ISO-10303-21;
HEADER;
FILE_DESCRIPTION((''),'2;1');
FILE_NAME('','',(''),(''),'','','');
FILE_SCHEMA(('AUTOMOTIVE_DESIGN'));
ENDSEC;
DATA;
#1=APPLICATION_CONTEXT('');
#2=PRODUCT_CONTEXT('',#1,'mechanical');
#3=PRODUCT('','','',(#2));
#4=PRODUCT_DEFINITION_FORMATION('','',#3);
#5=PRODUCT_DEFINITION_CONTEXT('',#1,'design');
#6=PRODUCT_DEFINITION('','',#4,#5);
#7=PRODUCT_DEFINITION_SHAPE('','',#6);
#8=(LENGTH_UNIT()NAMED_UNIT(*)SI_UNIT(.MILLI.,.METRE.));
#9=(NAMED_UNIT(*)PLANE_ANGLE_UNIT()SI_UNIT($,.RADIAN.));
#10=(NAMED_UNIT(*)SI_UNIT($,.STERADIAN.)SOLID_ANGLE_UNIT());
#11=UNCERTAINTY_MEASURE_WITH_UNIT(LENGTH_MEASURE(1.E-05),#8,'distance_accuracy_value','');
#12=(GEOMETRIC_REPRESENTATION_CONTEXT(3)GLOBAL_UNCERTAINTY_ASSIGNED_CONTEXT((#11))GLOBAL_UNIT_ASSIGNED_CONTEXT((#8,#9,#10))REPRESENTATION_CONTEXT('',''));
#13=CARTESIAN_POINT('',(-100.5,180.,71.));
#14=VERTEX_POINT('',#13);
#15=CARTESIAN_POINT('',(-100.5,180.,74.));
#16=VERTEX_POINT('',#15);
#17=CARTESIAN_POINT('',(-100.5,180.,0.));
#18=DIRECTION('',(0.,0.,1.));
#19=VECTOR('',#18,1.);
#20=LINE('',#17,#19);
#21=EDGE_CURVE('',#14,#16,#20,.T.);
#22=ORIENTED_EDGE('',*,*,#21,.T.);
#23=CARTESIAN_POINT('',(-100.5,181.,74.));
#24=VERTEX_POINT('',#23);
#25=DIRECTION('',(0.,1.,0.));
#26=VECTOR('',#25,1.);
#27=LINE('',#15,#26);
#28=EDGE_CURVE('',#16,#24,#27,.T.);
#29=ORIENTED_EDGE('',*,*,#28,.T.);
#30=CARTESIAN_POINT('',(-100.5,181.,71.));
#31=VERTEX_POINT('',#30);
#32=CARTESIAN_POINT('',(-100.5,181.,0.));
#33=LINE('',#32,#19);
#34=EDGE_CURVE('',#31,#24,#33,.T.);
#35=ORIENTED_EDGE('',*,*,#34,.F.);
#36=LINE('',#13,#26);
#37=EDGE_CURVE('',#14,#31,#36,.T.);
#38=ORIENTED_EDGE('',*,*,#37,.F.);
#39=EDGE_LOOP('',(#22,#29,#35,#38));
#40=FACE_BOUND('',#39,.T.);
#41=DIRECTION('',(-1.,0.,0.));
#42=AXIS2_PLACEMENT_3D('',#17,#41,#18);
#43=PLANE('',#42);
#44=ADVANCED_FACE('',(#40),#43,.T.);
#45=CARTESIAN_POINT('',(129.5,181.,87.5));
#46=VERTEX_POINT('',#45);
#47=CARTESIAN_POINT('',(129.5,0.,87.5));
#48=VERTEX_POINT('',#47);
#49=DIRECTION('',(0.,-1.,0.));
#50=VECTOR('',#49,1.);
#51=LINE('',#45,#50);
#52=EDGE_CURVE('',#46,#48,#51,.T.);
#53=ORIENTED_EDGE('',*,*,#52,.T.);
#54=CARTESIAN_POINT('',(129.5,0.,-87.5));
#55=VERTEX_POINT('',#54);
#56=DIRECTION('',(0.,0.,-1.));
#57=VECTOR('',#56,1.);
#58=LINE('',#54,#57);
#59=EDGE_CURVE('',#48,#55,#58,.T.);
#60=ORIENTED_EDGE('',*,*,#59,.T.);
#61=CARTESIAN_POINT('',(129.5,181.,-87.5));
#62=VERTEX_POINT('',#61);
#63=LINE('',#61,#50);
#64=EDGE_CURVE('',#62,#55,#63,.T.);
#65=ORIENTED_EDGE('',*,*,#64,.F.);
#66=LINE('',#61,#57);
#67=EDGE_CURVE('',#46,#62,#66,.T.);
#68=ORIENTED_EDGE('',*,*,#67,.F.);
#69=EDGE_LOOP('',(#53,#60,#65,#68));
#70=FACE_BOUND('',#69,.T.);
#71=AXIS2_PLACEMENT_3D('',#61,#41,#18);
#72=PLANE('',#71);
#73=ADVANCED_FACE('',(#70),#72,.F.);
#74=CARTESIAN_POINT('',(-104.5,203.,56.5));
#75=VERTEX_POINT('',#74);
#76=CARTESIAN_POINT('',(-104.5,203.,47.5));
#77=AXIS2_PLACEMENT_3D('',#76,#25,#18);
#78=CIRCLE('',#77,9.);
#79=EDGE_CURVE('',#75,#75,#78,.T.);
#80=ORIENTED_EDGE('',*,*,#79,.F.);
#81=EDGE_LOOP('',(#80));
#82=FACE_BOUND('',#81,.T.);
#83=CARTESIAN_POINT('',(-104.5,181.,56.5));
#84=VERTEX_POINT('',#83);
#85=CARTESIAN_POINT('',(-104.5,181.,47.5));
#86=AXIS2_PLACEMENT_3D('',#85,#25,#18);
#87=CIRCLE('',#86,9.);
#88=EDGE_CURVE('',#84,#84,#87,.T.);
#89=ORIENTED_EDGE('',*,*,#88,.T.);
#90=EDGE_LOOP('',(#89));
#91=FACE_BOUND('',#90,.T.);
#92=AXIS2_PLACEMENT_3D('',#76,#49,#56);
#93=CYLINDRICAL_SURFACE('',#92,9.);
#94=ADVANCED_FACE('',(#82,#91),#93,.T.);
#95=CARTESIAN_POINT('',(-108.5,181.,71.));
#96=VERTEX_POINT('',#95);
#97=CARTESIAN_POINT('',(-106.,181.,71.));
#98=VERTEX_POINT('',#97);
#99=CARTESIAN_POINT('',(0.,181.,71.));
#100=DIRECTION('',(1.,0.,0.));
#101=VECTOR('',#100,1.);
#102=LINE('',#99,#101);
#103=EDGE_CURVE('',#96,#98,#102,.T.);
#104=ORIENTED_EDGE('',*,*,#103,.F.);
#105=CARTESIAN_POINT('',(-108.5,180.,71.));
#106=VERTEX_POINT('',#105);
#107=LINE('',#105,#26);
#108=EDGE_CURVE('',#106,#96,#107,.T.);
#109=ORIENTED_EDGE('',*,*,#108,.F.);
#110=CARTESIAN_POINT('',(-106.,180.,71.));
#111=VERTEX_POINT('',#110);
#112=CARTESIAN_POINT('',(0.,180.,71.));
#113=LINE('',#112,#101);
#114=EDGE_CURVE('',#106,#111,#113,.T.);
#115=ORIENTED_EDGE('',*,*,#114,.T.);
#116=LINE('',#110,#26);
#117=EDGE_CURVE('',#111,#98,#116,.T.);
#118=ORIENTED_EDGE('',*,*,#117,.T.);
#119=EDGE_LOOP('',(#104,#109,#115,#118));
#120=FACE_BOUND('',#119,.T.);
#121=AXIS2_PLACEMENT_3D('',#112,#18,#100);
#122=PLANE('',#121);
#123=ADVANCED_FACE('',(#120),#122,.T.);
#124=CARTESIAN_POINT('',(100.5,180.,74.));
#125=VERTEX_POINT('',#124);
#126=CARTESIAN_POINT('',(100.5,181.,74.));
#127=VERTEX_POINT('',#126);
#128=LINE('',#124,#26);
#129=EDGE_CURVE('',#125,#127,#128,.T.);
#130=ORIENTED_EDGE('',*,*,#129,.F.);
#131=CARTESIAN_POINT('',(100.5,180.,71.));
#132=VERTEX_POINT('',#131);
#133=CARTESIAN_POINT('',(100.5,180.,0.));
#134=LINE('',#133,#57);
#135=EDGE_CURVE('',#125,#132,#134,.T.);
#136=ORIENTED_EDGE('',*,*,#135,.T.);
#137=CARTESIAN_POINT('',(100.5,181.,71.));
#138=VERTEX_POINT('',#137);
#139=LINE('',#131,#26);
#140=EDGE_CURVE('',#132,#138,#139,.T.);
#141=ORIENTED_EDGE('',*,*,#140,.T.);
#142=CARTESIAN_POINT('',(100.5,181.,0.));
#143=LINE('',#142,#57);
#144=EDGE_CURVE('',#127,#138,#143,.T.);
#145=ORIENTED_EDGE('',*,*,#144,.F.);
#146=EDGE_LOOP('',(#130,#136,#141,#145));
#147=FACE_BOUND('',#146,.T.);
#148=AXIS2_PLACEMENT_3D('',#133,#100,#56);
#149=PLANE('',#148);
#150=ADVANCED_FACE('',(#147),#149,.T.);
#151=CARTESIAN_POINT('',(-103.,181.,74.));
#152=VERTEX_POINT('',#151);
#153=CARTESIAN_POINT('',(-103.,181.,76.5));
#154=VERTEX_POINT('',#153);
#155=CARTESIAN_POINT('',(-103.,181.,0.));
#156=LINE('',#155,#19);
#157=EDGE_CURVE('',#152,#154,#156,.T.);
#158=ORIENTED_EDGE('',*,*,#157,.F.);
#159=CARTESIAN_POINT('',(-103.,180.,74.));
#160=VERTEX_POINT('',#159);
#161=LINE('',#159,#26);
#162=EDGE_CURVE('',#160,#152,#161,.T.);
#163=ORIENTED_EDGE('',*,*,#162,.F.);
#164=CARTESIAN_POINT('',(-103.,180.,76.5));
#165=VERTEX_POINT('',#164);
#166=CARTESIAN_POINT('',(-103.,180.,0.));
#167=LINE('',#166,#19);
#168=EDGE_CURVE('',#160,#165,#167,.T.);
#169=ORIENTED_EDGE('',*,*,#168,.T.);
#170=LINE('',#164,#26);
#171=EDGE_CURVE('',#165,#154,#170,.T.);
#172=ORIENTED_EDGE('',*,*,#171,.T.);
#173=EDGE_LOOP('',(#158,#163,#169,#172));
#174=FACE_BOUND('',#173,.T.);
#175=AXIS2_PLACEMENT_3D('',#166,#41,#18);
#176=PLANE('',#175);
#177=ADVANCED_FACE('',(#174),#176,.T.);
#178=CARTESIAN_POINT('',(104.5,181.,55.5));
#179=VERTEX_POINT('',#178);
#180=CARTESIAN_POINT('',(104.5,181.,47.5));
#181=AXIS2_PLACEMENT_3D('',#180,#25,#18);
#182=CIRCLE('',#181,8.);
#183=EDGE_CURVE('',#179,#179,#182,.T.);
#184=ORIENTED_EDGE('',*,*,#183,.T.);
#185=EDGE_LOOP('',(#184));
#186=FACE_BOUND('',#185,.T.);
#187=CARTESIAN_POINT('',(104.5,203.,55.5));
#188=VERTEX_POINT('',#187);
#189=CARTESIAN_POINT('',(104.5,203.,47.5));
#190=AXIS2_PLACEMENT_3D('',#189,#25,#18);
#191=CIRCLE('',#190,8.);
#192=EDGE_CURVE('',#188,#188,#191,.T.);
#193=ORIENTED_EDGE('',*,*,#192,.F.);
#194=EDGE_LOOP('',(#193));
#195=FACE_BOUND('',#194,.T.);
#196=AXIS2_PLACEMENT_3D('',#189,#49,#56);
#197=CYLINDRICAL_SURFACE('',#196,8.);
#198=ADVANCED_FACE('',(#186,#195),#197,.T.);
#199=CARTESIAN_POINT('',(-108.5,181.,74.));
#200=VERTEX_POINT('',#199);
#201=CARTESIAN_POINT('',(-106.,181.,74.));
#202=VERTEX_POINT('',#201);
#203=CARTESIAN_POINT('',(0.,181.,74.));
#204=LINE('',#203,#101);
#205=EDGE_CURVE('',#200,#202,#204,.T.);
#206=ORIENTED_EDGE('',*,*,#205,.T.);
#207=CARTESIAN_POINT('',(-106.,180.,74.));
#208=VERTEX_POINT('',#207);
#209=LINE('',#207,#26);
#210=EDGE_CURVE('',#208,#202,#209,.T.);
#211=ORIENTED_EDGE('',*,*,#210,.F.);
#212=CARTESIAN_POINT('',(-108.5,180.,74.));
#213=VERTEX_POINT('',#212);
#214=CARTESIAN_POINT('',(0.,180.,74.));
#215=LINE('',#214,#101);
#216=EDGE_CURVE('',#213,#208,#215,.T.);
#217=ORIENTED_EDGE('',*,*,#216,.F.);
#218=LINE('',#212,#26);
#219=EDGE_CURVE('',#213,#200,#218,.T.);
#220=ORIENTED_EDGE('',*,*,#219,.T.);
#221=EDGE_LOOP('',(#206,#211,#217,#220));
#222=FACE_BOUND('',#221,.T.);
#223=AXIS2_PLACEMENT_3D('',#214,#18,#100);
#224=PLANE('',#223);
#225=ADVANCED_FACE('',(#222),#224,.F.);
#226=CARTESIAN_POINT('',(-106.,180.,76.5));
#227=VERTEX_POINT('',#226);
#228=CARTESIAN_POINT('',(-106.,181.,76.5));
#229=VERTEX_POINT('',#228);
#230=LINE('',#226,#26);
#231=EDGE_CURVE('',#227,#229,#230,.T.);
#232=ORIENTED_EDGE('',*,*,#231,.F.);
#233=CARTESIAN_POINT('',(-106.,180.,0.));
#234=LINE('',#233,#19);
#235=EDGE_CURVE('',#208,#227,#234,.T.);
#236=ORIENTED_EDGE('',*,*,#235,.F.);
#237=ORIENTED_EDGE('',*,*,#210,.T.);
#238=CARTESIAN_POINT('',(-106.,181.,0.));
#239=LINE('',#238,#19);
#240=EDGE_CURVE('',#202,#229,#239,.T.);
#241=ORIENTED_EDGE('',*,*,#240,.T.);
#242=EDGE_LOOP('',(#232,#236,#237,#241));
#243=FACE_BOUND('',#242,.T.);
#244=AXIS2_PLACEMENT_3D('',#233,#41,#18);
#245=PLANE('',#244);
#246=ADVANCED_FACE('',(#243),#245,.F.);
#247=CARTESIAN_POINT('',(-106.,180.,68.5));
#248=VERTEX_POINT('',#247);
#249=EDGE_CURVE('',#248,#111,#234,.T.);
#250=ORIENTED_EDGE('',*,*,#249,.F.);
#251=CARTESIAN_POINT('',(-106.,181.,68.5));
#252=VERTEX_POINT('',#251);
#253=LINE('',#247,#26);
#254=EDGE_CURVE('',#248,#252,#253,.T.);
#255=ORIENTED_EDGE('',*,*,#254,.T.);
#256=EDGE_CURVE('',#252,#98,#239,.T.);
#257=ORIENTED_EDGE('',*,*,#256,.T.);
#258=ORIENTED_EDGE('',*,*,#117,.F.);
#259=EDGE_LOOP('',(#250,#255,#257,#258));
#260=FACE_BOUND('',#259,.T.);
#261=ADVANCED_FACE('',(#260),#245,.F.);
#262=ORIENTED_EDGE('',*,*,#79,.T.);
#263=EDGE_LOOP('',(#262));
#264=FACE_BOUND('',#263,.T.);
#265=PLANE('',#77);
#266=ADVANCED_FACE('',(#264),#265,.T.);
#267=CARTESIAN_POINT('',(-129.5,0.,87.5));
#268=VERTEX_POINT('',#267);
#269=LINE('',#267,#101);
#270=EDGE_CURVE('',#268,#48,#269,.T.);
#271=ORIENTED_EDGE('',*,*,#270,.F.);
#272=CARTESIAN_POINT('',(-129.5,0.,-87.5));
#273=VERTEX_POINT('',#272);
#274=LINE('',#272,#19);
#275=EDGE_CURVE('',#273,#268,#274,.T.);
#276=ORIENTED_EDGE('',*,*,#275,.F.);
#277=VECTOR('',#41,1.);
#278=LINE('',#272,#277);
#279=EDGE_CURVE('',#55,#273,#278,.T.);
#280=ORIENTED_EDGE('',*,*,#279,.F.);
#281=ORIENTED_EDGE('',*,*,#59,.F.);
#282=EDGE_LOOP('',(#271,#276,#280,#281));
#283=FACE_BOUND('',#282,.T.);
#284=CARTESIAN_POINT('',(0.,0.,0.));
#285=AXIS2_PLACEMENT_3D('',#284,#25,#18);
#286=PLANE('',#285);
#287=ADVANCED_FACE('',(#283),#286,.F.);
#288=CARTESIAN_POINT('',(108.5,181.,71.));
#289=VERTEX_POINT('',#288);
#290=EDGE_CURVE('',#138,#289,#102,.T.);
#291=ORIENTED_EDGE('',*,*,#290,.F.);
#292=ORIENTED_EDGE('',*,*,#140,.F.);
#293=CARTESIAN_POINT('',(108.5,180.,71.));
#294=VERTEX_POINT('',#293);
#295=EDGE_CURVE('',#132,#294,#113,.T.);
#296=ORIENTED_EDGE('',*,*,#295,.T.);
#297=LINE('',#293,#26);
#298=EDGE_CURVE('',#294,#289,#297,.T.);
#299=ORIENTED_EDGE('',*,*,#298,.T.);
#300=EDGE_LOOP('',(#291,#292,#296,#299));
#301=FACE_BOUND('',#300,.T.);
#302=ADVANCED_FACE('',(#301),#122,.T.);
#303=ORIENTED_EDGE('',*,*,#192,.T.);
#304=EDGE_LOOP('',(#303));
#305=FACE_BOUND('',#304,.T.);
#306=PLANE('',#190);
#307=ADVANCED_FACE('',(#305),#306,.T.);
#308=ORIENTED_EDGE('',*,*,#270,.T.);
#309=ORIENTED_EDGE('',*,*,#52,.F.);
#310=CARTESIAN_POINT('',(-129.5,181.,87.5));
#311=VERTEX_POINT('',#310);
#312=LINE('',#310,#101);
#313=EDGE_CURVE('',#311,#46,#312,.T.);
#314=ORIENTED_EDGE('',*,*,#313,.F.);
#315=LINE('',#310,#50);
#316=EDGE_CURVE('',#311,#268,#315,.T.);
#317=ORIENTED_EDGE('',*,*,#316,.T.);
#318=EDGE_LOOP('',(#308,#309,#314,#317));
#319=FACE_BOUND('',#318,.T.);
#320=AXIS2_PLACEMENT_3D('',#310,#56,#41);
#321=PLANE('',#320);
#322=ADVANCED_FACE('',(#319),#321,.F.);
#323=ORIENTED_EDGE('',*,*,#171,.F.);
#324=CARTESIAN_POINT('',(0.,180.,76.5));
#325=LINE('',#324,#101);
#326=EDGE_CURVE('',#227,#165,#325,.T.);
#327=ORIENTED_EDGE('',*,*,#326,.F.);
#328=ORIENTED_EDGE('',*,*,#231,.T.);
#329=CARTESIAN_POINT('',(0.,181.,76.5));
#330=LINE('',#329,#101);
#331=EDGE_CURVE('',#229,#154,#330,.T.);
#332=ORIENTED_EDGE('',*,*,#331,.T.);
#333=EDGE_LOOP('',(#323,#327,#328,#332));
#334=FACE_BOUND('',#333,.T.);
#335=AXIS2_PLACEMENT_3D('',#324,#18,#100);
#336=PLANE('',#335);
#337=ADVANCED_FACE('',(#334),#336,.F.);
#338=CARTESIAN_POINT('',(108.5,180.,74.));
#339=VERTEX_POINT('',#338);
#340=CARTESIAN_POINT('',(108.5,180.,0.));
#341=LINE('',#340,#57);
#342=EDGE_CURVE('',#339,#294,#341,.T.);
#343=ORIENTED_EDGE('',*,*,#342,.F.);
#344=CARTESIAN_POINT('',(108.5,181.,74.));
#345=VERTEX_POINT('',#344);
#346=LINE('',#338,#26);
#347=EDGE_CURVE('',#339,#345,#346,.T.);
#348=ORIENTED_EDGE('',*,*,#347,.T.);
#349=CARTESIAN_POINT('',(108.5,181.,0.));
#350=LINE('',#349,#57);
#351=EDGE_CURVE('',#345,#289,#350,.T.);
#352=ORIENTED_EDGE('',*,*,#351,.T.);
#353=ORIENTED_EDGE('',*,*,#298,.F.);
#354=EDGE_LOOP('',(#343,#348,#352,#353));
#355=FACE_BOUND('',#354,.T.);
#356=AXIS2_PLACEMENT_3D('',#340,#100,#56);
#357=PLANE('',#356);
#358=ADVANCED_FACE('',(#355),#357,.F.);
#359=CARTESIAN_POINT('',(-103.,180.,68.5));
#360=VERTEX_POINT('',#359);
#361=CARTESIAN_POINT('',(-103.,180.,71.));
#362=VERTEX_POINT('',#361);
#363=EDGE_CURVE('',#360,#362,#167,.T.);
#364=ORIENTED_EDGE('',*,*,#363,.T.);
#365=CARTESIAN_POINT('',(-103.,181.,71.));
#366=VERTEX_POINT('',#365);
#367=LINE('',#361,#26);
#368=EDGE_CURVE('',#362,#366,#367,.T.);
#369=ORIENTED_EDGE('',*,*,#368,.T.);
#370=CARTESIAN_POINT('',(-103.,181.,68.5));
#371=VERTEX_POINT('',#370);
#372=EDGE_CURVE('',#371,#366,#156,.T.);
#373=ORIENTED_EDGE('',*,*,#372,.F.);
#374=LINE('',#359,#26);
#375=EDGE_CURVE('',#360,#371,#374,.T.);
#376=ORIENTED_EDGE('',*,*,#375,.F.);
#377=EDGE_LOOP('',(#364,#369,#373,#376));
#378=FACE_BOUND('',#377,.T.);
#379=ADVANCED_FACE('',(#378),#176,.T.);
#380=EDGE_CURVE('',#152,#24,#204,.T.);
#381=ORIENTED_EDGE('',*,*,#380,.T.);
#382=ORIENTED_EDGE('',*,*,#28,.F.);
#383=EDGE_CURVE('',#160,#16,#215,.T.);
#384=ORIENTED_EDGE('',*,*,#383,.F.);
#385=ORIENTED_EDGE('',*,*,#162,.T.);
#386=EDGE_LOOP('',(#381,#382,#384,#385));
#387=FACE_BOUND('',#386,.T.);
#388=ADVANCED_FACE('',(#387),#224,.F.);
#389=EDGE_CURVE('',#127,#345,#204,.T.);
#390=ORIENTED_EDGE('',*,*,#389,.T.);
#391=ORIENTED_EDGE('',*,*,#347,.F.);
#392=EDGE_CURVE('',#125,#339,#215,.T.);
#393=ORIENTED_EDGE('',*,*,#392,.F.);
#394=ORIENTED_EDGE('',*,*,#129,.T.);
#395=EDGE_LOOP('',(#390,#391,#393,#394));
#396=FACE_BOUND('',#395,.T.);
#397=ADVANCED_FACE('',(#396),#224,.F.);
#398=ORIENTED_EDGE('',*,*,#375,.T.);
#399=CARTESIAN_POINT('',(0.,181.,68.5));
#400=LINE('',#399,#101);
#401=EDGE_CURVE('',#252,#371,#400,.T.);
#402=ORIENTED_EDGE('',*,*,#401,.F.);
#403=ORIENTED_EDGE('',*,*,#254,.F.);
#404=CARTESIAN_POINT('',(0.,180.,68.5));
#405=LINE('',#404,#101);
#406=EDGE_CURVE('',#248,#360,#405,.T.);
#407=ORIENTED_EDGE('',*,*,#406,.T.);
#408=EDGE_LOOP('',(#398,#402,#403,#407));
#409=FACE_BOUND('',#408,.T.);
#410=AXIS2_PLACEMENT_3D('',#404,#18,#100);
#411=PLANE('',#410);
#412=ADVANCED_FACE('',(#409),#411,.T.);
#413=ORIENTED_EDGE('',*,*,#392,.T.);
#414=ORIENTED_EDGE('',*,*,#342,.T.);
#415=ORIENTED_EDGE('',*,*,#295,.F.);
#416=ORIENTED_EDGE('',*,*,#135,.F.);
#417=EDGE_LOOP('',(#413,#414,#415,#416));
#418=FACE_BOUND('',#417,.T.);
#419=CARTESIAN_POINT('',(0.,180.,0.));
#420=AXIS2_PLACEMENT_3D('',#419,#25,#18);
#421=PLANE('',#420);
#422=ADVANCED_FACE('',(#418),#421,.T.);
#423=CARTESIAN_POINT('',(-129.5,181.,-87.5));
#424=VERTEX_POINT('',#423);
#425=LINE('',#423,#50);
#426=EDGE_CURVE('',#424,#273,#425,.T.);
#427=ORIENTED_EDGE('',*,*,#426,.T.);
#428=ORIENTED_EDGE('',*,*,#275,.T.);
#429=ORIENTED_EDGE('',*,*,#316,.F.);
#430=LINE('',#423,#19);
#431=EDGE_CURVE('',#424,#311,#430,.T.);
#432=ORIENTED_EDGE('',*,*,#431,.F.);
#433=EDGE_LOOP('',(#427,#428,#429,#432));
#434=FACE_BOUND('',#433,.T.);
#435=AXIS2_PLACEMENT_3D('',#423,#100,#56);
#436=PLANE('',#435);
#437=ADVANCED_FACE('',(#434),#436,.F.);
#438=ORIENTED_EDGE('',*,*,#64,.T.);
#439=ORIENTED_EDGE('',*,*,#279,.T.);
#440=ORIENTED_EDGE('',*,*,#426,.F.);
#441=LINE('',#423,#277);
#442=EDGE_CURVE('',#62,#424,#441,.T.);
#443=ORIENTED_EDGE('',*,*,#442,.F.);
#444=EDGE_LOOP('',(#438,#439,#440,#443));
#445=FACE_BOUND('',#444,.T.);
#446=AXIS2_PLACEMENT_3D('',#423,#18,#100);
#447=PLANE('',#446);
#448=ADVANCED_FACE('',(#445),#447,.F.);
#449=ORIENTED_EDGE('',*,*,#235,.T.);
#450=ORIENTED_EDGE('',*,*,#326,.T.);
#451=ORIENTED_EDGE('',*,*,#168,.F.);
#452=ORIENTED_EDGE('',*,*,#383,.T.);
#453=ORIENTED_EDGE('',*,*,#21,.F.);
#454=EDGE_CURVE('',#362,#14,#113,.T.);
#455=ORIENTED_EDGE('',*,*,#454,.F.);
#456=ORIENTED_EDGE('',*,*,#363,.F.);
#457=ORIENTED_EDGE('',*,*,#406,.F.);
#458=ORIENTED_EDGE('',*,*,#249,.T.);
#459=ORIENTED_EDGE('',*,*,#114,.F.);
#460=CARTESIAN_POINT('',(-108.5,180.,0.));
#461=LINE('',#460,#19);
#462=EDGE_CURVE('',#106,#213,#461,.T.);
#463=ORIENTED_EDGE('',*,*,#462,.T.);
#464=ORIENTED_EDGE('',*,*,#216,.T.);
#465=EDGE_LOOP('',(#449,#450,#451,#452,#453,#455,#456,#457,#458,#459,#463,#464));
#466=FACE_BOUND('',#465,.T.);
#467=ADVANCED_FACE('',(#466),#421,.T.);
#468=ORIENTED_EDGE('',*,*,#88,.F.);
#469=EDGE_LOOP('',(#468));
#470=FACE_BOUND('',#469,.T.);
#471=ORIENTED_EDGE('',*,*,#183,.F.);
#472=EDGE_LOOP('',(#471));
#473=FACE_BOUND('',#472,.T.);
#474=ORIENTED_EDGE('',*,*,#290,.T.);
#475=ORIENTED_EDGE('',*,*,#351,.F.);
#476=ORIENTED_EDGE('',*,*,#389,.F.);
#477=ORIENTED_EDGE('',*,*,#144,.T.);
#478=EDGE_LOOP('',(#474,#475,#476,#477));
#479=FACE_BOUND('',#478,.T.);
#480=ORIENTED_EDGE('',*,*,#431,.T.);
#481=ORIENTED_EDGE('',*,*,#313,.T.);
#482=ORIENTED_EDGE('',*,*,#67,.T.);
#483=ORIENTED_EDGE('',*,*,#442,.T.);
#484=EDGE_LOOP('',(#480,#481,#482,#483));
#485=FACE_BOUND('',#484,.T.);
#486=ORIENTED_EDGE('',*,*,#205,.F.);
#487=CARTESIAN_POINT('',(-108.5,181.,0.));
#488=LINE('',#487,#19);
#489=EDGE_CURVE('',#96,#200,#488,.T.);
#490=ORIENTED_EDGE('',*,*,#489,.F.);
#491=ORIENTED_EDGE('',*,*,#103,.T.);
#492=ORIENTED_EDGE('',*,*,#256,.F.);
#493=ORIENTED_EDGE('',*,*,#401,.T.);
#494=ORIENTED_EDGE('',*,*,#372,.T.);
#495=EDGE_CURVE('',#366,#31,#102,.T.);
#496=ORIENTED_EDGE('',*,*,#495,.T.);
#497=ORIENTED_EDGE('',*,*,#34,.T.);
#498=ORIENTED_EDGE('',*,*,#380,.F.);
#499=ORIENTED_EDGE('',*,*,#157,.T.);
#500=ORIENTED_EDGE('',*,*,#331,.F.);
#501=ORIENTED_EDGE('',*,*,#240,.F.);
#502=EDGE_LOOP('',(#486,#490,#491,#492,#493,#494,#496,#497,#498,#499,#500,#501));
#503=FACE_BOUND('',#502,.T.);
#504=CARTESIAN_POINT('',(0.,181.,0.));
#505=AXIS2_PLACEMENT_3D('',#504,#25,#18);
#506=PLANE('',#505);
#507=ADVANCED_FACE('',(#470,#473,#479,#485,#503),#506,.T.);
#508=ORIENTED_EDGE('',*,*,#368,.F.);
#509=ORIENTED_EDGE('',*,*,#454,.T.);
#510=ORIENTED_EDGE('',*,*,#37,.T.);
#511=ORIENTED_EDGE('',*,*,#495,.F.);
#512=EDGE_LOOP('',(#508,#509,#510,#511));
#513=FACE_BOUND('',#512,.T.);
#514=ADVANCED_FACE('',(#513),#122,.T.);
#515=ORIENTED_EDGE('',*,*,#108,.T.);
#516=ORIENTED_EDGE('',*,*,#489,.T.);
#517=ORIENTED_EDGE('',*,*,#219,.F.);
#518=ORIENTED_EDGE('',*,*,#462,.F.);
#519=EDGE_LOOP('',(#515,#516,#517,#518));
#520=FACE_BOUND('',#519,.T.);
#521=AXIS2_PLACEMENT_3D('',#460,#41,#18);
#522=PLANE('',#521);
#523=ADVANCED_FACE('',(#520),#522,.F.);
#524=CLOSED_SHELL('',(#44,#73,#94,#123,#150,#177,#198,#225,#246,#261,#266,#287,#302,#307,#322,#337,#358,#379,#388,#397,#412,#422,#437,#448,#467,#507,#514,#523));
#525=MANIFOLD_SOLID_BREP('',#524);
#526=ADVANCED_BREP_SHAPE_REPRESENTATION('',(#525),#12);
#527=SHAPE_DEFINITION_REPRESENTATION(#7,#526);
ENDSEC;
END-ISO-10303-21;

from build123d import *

# Parameters (mm, degrees)
SKETCH1_W           = 259
SKETCH1_H           = 175
BOSS_EXTRUDE1_DEPTH = 181
SKETCH2_R           = 9
SKETCH2_R_2         = 8
BOSS_EXTRUDE2_DEPTH = 22
SKETCH3_W           = 2.5
SKETCH3_H           = 3
SKETCH3_W_2         = 3
SKETCH3_H_2         = 2.5
SKETCH3_W_3         = 8
CUT_EXTRUDE1_DEPTH  = 1


with BuildPart() as part:
    # Sketch1 → Boss-Extrude1 (new body)
    with BuildSketch(Plane(origin=(0, 0, 0), x_dir=(1, 0, 0), z_dir=(0, 1, 0))):
        Rectangle(SKETCH1_W, SKETCH1_H)
    extrude(amount=BOSS_EXTRUDE1_DEPTH)

    # Sketch2 → Boss-Extrude2 (add)
    with BuildSketch(Plane(origin=(0, 181, 0), x_dir=(1, 0, 0), z_dir=(0, 1, 0))):
        with Locations(Location((-104.5, -47.5, 0), (0, 0, 270))):
            Circle(SKETCH2_R)
        with Locations(Location((104.5, -47.5, 0), (0, 0, 270))):
            Circle(SKETCH2_R_2)
    extrude(amount=BOSS_EXTRUDE2_DEPTH)

    # Sketch3 → Cut-Extrude1 (cut)
    with BuildSketch(Plane(origin=(0, 181, 0), x_dir=(1, 0, 0), z_dir=(0, 1, 0))):
        with Locations((-107.25, -72.5)):
            Rectangle(SKETCH3_W, SKETCH3_H)
        with Locations((-104.5, -72.5)):
            Rectangle(SKETCH3_W_2, SKETCH3_H)
        with Locations((-104.5, -69.75)):
            Rectangle(SKETCH3_W_2, SKETCH3_H_2)
        with Locations((-101.75, -72.5)):
            Rectangle(SKETCH3_W, SKETCH3_H)
        with Locations((-104.5, -75.25)):
            Rectangle(SKETCH3_W_2, SKETCH3_H_2)
        with Locations((104.5, -72.5)):
            Rectangle(SKETCH3_W_3, SKETCH3_H)
    extrude(amount=-CUT_EXTRUDE1_DEPTH, mode=Mode.SUBTRACT)


solid = part.part
